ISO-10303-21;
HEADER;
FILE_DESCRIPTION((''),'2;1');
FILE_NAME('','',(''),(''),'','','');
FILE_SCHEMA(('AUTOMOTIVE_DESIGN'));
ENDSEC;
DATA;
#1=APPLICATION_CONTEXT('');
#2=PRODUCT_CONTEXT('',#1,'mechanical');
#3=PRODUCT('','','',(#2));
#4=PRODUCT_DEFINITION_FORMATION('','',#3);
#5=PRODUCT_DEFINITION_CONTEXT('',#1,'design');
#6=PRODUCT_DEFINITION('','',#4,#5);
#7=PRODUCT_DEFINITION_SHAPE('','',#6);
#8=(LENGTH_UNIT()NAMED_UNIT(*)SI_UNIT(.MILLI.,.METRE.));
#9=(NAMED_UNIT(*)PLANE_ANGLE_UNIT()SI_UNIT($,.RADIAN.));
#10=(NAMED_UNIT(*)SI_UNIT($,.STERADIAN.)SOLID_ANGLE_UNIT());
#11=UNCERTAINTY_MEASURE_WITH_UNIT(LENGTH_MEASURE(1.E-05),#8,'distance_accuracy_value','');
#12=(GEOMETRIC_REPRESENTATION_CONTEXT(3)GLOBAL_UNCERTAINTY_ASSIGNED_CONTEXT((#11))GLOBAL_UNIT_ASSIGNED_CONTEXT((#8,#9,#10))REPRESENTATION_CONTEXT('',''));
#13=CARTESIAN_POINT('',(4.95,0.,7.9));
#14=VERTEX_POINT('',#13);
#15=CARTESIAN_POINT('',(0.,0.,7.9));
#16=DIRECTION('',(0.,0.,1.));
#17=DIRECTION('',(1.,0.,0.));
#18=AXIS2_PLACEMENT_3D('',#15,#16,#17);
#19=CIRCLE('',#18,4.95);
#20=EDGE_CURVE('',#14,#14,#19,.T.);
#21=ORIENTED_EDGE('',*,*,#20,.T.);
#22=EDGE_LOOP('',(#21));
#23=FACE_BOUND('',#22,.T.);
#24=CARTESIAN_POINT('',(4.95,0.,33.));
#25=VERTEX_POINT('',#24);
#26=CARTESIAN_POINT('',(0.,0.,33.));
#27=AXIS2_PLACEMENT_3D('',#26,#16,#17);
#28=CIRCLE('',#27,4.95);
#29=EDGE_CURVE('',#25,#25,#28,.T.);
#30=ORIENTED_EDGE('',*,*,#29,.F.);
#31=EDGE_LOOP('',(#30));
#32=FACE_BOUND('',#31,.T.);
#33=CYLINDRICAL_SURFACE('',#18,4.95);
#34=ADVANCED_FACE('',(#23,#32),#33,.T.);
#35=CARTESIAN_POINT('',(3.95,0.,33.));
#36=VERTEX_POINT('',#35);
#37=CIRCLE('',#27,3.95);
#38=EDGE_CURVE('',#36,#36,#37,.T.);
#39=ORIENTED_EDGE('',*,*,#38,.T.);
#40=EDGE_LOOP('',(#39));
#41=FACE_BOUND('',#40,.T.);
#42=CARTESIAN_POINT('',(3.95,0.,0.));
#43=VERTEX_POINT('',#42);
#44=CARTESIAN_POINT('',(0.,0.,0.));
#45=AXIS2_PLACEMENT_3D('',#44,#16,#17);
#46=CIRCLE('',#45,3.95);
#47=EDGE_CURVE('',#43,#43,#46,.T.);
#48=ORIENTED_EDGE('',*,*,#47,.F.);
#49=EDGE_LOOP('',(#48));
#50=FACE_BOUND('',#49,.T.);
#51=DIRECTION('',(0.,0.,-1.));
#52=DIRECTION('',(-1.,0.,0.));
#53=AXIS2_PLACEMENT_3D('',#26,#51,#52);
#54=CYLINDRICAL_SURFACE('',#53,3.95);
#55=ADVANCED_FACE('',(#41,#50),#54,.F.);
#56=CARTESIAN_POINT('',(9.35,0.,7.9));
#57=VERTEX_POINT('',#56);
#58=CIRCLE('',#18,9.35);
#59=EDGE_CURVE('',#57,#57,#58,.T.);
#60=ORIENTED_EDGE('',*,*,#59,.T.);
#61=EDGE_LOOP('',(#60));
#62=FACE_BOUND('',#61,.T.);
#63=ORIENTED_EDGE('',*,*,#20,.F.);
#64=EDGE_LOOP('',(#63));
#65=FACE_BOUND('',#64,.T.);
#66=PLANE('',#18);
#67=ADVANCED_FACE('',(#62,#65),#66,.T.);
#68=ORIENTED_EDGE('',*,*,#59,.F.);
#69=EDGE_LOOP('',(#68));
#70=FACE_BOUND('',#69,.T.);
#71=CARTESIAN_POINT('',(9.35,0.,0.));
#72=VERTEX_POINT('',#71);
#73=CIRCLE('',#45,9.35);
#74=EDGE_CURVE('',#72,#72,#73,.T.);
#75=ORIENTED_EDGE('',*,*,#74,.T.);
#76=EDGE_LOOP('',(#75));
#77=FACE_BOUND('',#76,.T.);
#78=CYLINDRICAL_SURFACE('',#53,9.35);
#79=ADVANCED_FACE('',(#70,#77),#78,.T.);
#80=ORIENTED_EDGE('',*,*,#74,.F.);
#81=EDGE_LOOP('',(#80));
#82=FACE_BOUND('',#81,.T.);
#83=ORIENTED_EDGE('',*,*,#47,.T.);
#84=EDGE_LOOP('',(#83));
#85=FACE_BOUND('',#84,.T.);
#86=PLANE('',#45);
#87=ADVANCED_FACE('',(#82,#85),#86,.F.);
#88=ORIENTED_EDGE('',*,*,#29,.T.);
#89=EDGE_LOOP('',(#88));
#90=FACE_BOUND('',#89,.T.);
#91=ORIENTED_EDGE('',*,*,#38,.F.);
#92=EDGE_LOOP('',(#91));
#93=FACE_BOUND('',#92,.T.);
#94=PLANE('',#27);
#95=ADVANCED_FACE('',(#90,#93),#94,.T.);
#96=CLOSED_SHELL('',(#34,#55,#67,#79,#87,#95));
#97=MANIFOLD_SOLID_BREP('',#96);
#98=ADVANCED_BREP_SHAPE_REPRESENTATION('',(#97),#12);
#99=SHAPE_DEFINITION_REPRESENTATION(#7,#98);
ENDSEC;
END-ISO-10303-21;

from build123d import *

# Parameters (mm, degrees)
SKETCH1_R           = 9.35
SKETCH1_R_2         = 3.95
BOSS_EXTRUDE1_DEPTH = 33
CUT_EXTRUDE1_START  = -25.1
SKETCH2_R           = 9.35
SKETCH2_R_2         = 4.95
CUT_EXTRUDE1_DEPTH  = 25.1


with BuildPart() as part:
    # Sketch1 → Boss-Extrude1 (new body)
    with BuildSketch(Plane.XY):
        Circle(SKETCH1_R)
        Circle(SKETCH1_R_2, mode=Mode.SUBTRACT)
    extrude(amount=BOSS_EXTRUDE1_DEPTH)

    # Sketch2 → Cut-Extrude1 (cut)
    with BuildSketch(Plane.XY.offset(33).offset(CUT_EXTRUDE1_START)):
        Circle(SKETCH2_R)
        Circle(SKETCH2_R_2, mode=Mode.SUBTRACT)
    extrude(amount=CUT_EXTRUDE1_DEPTH, mode=Mode.SUBTRACT)


solid = part.part
